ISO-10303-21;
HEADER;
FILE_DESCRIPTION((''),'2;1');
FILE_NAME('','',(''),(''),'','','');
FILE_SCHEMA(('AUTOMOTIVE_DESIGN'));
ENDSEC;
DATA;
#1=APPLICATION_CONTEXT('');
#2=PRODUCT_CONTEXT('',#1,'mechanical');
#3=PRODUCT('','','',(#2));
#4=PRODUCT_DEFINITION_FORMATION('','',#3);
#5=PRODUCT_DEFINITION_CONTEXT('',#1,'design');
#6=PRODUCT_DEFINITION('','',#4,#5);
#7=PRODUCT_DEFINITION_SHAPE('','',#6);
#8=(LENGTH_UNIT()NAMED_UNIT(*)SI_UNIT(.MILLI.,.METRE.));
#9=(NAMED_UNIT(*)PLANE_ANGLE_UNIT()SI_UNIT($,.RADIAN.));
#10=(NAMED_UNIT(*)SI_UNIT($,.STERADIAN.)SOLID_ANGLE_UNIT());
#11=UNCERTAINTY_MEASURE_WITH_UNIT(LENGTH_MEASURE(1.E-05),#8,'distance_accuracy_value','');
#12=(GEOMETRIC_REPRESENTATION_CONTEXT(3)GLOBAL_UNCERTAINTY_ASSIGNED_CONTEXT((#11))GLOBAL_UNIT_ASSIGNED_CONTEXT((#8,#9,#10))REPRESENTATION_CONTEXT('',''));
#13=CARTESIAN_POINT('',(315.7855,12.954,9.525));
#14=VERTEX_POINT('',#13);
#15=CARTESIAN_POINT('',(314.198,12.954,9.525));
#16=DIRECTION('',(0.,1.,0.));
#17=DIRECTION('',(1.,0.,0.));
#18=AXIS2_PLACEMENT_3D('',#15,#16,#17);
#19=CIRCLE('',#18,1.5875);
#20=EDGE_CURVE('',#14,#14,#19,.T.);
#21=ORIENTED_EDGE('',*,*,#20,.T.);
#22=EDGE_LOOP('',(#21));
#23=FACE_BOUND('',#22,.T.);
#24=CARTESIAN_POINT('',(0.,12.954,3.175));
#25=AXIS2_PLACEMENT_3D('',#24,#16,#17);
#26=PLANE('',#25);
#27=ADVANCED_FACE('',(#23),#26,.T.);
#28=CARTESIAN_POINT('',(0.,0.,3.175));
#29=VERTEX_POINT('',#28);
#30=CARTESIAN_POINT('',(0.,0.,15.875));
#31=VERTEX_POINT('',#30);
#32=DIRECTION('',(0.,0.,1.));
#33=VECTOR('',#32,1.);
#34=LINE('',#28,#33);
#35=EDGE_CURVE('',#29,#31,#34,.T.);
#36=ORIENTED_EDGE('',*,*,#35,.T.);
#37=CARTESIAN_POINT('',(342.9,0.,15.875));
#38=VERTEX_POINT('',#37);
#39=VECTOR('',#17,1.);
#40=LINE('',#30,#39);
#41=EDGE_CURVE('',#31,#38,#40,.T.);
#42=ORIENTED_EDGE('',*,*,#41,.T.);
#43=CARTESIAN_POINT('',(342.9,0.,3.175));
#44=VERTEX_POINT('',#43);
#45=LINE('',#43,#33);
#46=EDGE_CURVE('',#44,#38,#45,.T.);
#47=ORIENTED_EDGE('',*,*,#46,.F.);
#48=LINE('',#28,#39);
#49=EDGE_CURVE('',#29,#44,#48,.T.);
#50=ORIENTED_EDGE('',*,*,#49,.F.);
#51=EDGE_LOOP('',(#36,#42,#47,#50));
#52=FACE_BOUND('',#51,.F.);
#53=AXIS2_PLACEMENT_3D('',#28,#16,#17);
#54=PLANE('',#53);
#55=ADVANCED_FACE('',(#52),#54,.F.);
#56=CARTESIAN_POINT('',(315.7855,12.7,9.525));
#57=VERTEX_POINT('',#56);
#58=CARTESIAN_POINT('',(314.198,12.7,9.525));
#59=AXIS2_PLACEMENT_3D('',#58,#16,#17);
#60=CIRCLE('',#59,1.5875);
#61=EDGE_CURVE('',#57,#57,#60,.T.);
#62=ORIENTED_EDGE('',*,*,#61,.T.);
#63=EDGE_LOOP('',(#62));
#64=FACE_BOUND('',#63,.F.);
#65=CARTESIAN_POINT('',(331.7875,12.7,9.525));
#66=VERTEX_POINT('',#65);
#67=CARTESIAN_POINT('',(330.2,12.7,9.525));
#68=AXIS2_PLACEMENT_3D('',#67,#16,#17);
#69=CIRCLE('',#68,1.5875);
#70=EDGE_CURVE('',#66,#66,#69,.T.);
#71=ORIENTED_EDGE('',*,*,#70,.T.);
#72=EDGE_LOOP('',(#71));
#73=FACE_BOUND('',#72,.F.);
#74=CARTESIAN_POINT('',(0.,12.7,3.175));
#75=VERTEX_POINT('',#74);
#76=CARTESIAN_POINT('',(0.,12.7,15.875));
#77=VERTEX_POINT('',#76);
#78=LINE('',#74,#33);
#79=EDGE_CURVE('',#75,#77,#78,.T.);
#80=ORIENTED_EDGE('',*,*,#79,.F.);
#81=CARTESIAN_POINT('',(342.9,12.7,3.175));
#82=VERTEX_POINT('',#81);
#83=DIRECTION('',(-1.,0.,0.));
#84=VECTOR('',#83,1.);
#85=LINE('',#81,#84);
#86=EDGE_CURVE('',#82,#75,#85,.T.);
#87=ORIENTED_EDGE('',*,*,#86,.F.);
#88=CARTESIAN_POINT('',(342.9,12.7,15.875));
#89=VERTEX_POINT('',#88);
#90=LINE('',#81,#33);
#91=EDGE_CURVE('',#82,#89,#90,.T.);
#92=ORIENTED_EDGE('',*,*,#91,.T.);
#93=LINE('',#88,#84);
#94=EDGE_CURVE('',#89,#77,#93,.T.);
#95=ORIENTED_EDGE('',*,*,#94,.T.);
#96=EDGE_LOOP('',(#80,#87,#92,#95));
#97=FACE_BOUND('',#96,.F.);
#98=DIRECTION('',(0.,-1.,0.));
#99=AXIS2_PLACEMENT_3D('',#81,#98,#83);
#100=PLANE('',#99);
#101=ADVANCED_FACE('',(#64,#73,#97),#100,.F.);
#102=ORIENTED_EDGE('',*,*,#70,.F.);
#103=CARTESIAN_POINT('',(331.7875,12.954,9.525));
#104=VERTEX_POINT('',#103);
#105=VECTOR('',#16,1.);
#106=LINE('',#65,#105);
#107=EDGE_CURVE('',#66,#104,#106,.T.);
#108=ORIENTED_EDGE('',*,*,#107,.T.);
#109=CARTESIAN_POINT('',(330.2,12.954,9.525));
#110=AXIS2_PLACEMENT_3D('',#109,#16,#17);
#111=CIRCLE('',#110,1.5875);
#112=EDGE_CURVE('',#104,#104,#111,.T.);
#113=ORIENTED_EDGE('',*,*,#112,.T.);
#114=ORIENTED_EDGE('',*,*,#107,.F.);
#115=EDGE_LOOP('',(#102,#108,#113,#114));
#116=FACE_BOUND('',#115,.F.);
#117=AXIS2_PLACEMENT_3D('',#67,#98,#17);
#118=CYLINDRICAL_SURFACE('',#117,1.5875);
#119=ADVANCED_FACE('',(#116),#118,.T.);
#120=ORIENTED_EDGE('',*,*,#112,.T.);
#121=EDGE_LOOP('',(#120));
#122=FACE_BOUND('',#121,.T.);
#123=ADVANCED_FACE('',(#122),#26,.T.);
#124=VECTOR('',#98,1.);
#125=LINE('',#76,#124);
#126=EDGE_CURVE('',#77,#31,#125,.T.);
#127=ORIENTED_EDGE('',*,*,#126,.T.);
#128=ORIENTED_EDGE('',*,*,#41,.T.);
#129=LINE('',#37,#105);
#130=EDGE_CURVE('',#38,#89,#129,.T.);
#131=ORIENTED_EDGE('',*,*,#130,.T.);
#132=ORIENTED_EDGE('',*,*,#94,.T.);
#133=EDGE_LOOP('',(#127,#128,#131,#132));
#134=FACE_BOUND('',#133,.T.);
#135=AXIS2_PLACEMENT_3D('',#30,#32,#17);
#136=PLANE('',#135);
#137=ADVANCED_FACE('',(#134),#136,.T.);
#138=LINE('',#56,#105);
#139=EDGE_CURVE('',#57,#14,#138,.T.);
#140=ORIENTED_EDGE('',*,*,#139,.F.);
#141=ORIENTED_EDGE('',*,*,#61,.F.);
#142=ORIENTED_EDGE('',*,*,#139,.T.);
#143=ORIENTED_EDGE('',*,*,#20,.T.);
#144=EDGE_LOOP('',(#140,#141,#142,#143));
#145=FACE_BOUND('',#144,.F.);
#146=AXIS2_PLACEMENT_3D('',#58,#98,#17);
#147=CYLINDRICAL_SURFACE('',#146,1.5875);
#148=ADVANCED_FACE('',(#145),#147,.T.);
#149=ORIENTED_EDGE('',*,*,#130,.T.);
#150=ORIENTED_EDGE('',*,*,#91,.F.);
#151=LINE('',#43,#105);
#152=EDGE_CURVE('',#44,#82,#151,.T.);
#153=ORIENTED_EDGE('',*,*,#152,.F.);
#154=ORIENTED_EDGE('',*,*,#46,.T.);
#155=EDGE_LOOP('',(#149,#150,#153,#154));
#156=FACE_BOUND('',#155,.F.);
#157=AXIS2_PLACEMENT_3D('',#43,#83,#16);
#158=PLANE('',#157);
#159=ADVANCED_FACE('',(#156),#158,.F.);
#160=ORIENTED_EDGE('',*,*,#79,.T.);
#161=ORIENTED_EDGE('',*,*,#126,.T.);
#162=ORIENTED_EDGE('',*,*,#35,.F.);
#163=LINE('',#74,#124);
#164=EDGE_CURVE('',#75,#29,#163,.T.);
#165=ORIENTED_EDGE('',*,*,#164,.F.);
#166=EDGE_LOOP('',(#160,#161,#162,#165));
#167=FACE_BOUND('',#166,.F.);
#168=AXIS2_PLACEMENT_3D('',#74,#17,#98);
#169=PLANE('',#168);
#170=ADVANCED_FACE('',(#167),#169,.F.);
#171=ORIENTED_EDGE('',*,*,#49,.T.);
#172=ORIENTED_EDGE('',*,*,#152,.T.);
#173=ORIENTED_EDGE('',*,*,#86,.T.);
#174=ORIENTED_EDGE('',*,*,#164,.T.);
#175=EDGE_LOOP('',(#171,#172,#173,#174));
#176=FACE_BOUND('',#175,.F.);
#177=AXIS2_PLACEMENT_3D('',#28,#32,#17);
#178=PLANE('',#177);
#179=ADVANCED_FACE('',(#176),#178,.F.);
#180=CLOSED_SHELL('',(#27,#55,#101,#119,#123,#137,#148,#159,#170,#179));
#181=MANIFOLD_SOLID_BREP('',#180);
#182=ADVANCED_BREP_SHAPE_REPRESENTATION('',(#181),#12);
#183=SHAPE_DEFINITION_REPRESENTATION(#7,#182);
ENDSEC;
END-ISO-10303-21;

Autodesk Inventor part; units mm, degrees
ref_plane "YZ Plane" through (0, 0, 0) normal (1, 0, 0) x (0, 1, 0)
ref_plane "XZ Plane" through (0, 0, 0) normal (0, 1, 0) x (-1, 0, 0)
ref_plane "Work Plane1" through (0, 0, 3.175) normal (0, 0, 1) x (1, 0, 0)
sketch "Sketch1" plane through (0, 0, 3.175) normal (0, 0, 1) x (1, 0, 0)
  line L0 (0, 0) -> (342.9, 0)
  line L1 (342.9, 0) -> (342.9, 12.7)
  line L2 (342.9, 12.7) -> (0, 12.7)
  line L3 (0, 12.7) -> (0, 0)
  dimension "d1" = 342.9
  dimension "d2" = 12.7
extrude "Extrusion1" add sketch "Sketch1" along normal blind 12.7
sketch "Sketch2" plane through (0, 12.7, 3.175) normal (0, 1, 0) x (1, 0, 0)
  circle A0 centre (330.2, -6.35) radius 1.5875
  line L0 (0, 0) -> (342.9, 0) projected
  line L1 (342.9, 0) -> (342.9, -12.7) projected
  circle A1 centre (314.198, -6.35) radius 1.5875
  point P0 (0, 3.175)
  dimension "d5" = 6.35
  dimension "d6" = 3.175
  dimension "d7" = 12.7
  dimension "d8" = 3.175
  dimension "d9" = 6.35
  dimension "d10" = 16.002
extrude "Extrusion2" add sketch "Sketch2" along normal blind 0.254
properties part number "jewlArmBeam"
